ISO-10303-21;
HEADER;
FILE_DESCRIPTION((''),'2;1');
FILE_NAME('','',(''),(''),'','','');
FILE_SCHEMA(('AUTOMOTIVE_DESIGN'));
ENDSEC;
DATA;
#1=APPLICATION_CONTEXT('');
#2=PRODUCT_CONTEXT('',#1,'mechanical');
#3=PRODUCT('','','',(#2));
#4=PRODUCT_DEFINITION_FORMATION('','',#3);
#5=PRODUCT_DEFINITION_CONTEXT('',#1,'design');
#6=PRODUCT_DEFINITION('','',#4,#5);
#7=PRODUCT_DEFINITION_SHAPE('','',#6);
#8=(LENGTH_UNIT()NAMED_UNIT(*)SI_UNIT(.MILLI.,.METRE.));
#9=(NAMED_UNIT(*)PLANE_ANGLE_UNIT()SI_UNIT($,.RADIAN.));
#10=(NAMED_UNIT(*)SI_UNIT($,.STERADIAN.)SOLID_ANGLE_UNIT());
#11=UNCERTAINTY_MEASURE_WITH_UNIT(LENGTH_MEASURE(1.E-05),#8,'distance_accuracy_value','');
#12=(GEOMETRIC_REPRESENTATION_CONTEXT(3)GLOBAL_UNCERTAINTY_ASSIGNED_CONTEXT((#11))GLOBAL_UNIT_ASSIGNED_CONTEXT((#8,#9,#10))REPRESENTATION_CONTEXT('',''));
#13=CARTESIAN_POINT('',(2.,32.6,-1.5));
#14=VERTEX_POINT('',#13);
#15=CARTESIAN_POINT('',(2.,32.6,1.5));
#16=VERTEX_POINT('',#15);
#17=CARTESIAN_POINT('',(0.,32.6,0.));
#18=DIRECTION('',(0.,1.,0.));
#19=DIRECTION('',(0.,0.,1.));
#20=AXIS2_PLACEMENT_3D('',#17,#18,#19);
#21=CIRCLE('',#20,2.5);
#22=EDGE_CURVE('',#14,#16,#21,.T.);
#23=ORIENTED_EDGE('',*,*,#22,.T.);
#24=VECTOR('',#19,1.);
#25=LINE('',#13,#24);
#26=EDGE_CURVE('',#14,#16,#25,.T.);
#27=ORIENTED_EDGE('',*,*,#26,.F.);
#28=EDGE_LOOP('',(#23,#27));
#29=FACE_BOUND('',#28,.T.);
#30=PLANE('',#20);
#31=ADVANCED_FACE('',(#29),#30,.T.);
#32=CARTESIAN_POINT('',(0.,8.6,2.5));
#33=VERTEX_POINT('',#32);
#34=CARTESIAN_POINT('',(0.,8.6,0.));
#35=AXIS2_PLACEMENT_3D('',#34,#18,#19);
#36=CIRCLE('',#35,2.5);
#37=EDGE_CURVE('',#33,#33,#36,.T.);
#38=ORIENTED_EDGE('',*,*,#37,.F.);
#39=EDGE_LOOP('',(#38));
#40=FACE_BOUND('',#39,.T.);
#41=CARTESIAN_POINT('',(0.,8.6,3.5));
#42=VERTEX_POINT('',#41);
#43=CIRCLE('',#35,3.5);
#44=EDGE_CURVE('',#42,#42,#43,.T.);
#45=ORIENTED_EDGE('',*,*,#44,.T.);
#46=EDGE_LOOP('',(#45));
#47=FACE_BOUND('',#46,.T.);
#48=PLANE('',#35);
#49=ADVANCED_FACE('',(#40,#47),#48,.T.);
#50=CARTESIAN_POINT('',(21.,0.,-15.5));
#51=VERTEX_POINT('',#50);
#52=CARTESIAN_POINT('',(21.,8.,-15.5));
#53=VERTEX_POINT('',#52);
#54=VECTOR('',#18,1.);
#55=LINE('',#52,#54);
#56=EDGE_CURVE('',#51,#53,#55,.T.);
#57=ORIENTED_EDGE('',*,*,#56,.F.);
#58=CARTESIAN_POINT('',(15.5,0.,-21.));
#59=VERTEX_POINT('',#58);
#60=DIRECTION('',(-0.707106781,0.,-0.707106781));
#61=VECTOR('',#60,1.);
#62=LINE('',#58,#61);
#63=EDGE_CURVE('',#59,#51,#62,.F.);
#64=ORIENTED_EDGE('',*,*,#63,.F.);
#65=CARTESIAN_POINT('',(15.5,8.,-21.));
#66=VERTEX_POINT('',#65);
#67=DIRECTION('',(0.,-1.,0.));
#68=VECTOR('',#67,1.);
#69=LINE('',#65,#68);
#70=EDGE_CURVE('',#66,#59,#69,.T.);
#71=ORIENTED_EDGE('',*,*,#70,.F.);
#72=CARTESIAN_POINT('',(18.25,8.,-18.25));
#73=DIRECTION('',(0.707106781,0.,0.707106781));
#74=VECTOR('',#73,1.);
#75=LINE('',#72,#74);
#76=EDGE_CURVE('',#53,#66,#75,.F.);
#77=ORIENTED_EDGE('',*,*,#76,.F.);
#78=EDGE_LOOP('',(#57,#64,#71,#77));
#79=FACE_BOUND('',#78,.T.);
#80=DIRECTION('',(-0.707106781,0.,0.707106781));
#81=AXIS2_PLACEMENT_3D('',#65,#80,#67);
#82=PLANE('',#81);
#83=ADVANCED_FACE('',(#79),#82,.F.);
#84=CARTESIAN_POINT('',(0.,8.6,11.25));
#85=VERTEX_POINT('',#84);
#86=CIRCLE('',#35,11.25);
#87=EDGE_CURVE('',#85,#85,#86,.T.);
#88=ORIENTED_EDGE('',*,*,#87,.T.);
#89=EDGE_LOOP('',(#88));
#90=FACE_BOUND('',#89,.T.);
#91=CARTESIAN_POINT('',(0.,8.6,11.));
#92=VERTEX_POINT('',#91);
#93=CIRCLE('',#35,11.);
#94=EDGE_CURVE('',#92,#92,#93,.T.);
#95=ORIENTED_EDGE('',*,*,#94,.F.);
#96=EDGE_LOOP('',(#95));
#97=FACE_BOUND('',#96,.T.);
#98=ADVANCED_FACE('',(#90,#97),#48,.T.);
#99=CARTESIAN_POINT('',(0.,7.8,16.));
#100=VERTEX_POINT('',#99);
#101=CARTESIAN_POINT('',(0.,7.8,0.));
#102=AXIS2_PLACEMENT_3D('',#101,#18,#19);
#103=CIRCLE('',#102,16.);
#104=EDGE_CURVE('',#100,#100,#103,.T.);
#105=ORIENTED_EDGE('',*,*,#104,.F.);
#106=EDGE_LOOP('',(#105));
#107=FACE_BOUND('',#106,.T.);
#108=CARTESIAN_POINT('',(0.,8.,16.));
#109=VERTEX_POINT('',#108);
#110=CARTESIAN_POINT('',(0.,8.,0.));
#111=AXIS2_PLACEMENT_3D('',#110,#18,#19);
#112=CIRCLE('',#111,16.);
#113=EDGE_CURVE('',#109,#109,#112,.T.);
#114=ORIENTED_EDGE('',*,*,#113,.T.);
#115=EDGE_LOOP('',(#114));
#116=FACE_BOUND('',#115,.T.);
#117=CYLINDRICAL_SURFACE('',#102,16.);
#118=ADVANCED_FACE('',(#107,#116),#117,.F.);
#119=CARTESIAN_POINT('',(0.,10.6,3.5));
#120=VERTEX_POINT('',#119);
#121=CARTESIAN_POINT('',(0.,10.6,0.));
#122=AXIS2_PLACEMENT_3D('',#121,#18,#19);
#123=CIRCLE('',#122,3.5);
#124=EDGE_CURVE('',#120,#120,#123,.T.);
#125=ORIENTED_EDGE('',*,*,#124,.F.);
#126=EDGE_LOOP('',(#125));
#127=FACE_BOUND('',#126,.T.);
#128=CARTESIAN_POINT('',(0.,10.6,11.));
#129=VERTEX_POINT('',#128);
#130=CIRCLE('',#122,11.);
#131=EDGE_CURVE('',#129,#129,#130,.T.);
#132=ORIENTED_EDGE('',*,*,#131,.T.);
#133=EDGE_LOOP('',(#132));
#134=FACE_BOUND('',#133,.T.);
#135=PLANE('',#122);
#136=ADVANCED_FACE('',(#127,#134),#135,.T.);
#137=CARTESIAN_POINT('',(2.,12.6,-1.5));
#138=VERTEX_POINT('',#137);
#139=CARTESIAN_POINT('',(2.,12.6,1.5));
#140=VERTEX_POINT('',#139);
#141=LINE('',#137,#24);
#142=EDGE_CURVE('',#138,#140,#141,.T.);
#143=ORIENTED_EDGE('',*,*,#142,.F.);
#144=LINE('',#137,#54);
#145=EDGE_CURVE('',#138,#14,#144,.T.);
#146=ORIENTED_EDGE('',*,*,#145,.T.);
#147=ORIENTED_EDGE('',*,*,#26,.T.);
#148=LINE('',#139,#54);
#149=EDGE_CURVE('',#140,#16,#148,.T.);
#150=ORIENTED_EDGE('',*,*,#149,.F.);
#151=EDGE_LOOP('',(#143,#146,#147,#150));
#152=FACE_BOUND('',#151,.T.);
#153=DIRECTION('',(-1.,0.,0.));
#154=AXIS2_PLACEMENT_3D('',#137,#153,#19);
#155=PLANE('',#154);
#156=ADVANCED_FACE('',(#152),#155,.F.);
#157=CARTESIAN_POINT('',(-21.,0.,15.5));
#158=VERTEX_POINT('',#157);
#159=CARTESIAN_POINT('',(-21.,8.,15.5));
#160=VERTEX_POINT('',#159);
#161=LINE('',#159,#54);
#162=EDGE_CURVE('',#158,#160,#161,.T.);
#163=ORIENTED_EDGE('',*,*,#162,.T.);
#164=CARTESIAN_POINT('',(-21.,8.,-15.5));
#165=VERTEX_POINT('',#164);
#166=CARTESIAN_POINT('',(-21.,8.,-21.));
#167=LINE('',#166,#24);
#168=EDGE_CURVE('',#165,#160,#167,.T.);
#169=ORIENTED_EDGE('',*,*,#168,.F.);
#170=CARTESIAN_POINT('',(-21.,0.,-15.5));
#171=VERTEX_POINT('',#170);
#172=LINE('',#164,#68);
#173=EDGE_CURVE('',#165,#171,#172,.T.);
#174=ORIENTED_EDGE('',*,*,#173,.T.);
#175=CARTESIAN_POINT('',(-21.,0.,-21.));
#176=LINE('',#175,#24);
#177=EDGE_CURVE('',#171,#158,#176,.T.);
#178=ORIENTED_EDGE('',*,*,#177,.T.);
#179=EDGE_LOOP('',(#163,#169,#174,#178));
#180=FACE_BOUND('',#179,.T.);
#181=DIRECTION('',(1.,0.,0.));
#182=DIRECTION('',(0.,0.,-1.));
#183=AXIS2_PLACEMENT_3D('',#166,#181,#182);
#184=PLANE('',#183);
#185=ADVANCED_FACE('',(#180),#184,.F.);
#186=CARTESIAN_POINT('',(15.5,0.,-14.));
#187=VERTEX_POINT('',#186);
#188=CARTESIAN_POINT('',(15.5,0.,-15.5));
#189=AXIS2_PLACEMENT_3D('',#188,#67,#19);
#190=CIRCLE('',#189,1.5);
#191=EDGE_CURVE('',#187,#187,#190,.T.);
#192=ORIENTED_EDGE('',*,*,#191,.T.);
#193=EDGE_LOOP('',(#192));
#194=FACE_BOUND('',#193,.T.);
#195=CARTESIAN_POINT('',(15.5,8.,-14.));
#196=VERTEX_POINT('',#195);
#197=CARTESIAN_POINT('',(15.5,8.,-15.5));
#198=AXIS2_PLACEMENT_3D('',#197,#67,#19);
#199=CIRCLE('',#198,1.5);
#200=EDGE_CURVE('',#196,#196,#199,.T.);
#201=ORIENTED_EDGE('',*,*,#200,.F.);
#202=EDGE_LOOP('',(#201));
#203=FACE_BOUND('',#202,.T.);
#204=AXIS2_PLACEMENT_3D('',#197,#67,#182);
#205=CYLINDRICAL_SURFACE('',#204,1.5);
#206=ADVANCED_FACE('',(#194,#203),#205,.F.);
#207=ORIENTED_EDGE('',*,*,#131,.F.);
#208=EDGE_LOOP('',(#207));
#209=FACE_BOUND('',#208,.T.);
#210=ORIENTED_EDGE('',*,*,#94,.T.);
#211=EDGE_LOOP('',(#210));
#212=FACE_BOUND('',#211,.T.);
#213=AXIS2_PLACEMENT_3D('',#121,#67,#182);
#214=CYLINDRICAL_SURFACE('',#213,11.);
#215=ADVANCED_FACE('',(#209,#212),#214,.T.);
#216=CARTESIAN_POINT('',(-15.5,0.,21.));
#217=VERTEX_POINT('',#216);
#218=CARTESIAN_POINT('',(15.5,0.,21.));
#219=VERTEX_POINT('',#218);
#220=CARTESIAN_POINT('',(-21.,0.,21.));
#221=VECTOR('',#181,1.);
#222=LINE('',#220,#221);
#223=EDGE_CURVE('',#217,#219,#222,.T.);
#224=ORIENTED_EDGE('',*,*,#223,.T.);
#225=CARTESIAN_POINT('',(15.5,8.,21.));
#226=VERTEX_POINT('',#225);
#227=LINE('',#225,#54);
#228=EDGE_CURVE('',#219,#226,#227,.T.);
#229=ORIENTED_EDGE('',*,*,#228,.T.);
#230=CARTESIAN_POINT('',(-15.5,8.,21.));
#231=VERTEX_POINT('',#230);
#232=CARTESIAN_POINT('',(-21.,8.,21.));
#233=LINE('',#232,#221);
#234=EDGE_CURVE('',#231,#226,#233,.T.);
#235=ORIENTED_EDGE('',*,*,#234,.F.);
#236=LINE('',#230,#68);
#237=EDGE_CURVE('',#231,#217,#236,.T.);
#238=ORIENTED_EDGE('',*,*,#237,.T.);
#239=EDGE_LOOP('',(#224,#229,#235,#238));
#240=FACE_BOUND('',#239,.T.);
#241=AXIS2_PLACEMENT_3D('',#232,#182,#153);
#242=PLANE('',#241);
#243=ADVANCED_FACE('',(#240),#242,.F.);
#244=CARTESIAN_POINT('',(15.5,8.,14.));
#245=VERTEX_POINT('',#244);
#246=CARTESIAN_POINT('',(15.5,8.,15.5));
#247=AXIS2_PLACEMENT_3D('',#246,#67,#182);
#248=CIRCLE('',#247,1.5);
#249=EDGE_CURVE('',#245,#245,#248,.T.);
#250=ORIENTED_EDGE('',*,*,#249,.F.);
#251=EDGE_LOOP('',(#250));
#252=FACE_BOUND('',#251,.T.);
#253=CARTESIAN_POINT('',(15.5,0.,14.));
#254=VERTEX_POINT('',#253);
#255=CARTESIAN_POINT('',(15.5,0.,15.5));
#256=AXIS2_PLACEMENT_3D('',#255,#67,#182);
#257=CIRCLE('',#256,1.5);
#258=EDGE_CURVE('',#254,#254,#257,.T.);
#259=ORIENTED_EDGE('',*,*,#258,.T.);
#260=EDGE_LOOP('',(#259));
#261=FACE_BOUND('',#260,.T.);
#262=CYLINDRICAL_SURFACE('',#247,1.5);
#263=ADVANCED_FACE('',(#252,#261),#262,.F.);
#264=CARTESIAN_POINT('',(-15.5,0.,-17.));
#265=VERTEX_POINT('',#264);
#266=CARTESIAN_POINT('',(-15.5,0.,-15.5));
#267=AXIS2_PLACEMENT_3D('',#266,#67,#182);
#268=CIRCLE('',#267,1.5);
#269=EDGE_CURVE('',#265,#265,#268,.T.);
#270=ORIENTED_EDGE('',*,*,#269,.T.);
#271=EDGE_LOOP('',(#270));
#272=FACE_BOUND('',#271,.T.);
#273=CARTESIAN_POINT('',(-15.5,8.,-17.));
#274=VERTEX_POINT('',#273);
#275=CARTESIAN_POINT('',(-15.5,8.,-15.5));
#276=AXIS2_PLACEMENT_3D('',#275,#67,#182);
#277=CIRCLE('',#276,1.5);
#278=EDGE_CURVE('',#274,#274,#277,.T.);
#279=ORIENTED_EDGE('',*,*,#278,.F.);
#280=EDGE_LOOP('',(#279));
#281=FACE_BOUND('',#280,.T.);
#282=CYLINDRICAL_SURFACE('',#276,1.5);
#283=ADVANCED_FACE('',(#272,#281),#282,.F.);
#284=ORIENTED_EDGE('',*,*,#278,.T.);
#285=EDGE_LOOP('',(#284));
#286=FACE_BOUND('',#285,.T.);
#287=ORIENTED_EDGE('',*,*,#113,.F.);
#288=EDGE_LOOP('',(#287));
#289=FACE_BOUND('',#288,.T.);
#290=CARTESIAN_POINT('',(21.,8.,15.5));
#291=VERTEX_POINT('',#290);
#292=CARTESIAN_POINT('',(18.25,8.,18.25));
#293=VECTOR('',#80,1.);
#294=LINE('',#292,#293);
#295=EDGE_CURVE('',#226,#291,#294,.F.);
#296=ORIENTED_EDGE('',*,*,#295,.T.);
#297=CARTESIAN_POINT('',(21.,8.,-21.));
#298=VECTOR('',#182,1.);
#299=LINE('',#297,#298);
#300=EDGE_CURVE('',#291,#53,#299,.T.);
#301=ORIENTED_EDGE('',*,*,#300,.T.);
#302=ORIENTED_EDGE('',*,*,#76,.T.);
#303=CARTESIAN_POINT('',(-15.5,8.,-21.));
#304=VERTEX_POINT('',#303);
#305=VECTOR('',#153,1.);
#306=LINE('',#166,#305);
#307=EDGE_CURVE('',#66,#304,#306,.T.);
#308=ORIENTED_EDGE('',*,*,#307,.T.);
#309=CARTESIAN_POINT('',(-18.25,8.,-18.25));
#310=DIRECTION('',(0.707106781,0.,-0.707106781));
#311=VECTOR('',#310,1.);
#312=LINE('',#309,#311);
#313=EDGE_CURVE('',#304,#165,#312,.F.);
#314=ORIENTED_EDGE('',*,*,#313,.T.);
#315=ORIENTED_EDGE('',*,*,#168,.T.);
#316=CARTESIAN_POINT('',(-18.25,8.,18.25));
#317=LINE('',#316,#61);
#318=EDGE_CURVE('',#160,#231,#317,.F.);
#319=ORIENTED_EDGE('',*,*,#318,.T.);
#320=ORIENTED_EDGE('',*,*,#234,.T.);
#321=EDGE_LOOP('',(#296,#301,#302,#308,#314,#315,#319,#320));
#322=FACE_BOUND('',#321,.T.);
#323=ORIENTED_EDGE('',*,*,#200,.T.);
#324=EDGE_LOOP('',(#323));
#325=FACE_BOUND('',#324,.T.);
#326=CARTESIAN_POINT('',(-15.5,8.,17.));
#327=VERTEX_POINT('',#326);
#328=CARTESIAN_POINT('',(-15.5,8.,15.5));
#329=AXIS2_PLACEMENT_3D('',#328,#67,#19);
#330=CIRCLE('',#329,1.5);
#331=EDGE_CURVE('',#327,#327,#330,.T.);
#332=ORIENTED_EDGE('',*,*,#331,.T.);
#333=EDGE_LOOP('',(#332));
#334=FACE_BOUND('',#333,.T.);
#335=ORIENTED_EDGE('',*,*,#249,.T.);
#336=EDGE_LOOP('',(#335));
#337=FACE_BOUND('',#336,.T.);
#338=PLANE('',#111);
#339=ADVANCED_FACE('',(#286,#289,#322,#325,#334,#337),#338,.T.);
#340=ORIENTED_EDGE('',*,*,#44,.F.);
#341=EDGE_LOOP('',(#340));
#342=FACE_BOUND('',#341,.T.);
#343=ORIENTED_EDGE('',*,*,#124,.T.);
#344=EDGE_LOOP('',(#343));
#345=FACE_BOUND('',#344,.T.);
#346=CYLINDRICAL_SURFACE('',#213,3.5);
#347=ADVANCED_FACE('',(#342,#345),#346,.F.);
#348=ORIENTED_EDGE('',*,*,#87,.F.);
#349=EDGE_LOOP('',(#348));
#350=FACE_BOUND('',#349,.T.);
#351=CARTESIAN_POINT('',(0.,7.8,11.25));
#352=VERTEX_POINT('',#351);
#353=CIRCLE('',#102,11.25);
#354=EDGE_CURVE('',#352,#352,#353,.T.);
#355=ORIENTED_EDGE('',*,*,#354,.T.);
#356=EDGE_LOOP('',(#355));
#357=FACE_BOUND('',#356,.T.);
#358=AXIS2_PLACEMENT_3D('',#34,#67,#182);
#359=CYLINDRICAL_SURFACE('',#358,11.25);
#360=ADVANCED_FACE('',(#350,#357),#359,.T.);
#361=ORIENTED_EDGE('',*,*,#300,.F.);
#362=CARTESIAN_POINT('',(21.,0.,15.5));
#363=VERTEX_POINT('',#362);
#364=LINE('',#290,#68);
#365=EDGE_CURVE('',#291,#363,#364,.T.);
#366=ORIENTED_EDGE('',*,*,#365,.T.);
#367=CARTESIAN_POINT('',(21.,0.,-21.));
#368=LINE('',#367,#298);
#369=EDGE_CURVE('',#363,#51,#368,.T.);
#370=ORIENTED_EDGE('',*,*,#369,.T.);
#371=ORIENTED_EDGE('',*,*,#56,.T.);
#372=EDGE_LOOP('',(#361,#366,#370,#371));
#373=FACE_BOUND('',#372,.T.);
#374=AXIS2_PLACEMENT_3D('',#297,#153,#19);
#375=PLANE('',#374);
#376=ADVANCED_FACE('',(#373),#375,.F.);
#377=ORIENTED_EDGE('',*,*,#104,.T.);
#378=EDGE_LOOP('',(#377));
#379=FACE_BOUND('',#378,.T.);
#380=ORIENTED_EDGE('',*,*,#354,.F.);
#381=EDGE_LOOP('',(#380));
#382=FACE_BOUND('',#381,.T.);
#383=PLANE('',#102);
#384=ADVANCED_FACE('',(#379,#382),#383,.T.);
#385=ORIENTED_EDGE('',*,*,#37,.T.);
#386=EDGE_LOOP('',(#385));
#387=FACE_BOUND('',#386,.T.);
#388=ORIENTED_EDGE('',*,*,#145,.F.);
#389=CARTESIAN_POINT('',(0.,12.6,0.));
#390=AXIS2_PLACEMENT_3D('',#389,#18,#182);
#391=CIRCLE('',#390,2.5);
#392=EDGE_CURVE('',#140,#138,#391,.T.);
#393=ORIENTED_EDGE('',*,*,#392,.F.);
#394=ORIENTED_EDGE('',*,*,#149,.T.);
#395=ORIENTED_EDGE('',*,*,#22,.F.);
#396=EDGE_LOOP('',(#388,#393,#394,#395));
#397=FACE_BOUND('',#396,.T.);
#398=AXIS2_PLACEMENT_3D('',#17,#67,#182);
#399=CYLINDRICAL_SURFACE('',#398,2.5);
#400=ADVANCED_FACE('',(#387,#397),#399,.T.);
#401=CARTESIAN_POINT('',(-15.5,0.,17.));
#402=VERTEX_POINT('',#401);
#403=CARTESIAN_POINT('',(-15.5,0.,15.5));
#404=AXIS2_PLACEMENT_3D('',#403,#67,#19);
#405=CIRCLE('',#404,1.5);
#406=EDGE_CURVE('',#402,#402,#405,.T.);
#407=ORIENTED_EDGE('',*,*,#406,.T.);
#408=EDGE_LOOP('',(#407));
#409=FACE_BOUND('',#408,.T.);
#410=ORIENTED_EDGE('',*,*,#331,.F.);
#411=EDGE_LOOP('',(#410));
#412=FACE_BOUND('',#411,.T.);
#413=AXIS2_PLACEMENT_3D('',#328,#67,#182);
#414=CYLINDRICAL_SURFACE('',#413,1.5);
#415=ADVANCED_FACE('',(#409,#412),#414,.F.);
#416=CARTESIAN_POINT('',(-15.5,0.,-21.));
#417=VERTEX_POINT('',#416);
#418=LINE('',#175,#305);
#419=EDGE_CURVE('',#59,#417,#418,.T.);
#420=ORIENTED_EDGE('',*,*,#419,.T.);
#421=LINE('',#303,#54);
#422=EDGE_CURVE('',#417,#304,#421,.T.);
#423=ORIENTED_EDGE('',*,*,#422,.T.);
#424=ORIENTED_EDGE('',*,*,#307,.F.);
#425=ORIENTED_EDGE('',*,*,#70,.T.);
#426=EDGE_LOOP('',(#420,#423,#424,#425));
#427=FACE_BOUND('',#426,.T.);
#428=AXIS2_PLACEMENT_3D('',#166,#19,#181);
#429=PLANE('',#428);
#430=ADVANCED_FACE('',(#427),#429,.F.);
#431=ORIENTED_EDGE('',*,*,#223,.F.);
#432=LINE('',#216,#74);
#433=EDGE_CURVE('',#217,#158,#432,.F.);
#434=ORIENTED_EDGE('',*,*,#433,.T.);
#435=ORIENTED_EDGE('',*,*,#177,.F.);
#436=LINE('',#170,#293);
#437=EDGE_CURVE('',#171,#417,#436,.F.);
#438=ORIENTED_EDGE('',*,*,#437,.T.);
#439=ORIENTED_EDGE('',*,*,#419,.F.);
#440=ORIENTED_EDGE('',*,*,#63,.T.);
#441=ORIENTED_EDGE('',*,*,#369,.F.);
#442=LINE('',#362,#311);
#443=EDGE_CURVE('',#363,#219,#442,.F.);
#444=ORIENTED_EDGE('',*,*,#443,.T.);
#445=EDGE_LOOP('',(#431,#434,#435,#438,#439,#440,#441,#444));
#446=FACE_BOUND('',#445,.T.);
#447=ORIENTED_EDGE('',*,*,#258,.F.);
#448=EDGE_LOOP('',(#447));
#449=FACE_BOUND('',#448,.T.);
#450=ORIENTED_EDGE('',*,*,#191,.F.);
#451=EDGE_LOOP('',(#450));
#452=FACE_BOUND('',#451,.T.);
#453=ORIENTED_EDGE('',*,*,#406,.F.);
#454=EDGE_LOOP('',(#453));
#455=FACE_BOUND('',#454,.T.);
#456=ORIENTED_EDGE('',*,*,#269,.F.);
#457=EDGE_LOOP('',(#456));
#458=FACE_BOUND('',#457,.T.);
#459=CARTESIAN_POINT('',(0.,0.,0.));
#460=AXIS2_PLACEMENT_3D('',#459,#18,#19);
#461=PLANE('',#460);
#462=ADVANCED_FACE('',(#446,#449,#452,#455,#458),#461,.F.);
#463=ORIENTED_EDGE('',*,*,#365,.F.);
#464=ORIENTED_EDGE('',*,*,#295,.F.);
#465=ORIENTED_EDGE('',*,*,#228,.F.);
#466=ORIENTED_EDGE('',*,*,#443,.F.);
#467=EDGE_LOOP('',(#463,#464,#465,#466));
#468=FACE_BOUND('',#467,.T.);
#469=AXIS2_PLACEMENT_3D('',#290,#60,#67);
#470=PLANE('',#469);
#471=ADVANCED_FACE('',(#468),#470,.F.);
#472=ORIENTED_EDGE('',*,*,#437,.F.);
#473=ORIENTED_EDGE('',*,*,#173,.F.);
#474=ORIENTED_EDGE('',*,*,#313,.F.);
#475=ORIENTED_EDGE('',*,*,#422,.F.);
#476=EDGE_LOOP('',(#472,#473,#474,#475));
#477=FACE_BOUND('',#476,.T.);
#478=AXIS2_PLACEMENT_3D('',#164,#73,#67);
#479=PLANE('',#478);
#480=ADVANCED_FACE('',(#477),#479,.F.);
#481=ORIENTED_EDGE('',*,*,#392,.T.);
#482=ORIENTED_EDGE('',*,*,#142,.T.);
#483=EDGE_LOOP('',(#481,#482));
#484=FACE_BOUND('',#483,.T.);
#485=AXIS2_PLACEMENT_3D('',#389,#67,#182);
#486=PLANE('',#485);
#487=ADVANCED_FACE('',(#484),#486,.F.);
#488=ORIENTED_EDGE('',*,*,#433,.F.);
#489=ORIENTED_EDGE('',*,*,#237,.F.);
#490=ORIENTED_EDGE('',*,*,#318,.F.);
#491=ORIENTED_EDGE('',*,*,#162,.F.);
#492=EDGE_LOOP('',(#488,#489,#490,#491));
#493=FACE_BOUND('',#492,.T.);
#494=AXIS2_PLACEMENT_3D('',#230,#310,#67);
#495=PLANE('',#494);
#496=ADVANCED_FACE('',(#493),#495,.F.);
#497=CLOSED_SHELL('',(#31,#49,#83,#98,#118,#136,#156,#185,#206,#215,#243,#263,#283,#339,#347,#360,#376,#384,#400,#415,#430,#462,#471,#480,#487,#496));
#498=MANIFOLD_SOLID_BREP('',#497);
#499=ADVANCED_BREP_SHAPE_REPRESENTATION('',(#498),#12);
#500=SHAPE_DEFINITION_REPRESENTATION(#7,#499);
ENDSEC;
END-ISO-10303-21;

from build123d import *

# Parameters (mm, degrees)
SKETCH1_W           = 42
SKETCH1_H           = 42
NEMA_17_DEPTH       = 8
CHAMFER1_SIZE       = 5.5
SKETCH2_R           = 1.5
M6_BOLT_HOLES_DEPTH = 31.757112998
SKETCH3_R           = 16
CUT_EXTRUDE1_DEPTH  = 0.2
SKETCH4_R           = 11.25
BOSS_EXTRUDE1_DEPTH = 0.8
SKETCH5_R           = 11
BOSS_EXTRUDE2_DEPTH = 2
SKETCH6_R           = 3.5
CUT_EXTRUDE2_DEPTH  = 31.918602814
SKETCH7_R           = 2.5
BOSS_EXTRUDE3_DEPTH = 24
CUT_EXTRUDE3_START  = -20
CUT_EXTRUDE3_DEPTH  = 20


with BuildPart() as part:
    # Sketch1 → Nema 17 (new body)
    with BuildSketch(Plane(origin=(0, 0, 0), x_dir=(1, 0, 0), z_dir=(0, 1, 0))):
        Rectangle(SKETCH1_W, SKETCH1_H)
    extrude(amount=NEMA_17_DEPTH)

    # Chamfer1
    chamfer1_edges = [part.edges().sort_by_distance(p)[0] for p in [
        (21, 4, 21),
        (-21, 4, 21),
        (-21, 4, -21),
        (21, 4, -21),
    ]]
    chamfer(chamfer1_edges, length=CHAMFER1_SIZE)

    # Sketch2 → M6 Bolt Holes (cut, through all)
    with BuildSketch(Plane.XZ):
        with Locations(Location((-15.5, -15.5, 0), (0, 0, 270))):
            Circle(SKETCH2_R)
        with Locations(Location((15.5, -15.5, 0), (0, 0, 90))):
            Circle(SKETCH2_R)
        with Locations(Location((-15.5, 15.5, 0), (0, 0, 90))):
            Circle(SKETCH2_R)
        with Locations(Location((15.5, 15.5, 0), (0, 0, 270))):
            Circle(SKETCH2_R)
    extrude(amount=-M6_BOLT_HOLES_DEPTH, mode=Mode.SUBTRACT)

    # Sketch3 → Cut-Extrude1 (cut)
    with BuildSketch(Plane(origin=(0, 8, 0), x_dir=(1, 0, 0), z_dir=(0, 1, 0))):
        with Locations(Location((0, 0, 0), (0, 0, 270))):
            Circle(SKETCH3_R)
    extrude(amount=-CUT_EXTRUDE1_DEPTH, mode=Mode.SUBTRACT)

    # Sketch4 → Boss-Extrude1 (add)
    with BuildSketch(Plane(origin=(0, 7.8, 0), x_dir=(1, 0, 0), z_dir=(0, 1, 0))):
        with Locations(Location((0, 0, 0), (0, 0, 270))):
            Circle(SKETCH4_R)
    extrude(amount=BOSS_EXTRUDE1_DEPTH)

    # Sketch5 → Boss-Extrude2 (add)
    with BuildSketch(Plane(origin=(0, 8.6, 0), x_dir=(1, 0, 0), z_dir=(0, 1, 0))):
        with Locations(Location((0, 0, 0), (0, 0, 270))):
            Circle(SKETCH5_R)
    extrude(amount=BOSS_EXTRUDE2_DEPTH)

    # Sketch6 → Cut-Extrude2 (cut, through all)
    with BuildSketch(Plane(origin=(0, 8.6, 0), x_dir=(1, 0, 0), z_dir=(0, 1, 0))):
        with Locations(Location((0, 0, 0), (0, 0, 270))):
            Circle(SKETCH6_R)
    extrude(amount=CUT_EXTRUDE2_DEPTH, mode=Mode.SUBTRACT)

    # Sketch7 → Boss-Extrude3 (add)
    with BuildSketch(Plane(origin=(0, 8.6, 0), x_dir=(1, 0, 0), z_dir=(0, 1, 0))):
        with Locations(Location((0, 0, 0), (0, 0, 270))):
            Circle(SKETCH7_R)
    extrude(amount=BOSS_EXTRUDE3_DEPTH)

    # Sketch9 → Cut-Extrude3 (cut)
    with BuildSketch(Plane(origin=(0, 32.6, 0), x_dir=(1, 0, 0), z_dir=(0, 1, 0)).offset(CUT_EXTRUDE3_START)):
        with BuildLine():
            Line((2, 1.5), (2, -1.5))
            ThreePointArc((2, -1.5), (2.5, 0), (2, 1.5))
        make_face()
    extrude(amount=CUT_EXTRUDE3_DEPTH, mode=Mode.SUBTRACT)


solid = part.part
